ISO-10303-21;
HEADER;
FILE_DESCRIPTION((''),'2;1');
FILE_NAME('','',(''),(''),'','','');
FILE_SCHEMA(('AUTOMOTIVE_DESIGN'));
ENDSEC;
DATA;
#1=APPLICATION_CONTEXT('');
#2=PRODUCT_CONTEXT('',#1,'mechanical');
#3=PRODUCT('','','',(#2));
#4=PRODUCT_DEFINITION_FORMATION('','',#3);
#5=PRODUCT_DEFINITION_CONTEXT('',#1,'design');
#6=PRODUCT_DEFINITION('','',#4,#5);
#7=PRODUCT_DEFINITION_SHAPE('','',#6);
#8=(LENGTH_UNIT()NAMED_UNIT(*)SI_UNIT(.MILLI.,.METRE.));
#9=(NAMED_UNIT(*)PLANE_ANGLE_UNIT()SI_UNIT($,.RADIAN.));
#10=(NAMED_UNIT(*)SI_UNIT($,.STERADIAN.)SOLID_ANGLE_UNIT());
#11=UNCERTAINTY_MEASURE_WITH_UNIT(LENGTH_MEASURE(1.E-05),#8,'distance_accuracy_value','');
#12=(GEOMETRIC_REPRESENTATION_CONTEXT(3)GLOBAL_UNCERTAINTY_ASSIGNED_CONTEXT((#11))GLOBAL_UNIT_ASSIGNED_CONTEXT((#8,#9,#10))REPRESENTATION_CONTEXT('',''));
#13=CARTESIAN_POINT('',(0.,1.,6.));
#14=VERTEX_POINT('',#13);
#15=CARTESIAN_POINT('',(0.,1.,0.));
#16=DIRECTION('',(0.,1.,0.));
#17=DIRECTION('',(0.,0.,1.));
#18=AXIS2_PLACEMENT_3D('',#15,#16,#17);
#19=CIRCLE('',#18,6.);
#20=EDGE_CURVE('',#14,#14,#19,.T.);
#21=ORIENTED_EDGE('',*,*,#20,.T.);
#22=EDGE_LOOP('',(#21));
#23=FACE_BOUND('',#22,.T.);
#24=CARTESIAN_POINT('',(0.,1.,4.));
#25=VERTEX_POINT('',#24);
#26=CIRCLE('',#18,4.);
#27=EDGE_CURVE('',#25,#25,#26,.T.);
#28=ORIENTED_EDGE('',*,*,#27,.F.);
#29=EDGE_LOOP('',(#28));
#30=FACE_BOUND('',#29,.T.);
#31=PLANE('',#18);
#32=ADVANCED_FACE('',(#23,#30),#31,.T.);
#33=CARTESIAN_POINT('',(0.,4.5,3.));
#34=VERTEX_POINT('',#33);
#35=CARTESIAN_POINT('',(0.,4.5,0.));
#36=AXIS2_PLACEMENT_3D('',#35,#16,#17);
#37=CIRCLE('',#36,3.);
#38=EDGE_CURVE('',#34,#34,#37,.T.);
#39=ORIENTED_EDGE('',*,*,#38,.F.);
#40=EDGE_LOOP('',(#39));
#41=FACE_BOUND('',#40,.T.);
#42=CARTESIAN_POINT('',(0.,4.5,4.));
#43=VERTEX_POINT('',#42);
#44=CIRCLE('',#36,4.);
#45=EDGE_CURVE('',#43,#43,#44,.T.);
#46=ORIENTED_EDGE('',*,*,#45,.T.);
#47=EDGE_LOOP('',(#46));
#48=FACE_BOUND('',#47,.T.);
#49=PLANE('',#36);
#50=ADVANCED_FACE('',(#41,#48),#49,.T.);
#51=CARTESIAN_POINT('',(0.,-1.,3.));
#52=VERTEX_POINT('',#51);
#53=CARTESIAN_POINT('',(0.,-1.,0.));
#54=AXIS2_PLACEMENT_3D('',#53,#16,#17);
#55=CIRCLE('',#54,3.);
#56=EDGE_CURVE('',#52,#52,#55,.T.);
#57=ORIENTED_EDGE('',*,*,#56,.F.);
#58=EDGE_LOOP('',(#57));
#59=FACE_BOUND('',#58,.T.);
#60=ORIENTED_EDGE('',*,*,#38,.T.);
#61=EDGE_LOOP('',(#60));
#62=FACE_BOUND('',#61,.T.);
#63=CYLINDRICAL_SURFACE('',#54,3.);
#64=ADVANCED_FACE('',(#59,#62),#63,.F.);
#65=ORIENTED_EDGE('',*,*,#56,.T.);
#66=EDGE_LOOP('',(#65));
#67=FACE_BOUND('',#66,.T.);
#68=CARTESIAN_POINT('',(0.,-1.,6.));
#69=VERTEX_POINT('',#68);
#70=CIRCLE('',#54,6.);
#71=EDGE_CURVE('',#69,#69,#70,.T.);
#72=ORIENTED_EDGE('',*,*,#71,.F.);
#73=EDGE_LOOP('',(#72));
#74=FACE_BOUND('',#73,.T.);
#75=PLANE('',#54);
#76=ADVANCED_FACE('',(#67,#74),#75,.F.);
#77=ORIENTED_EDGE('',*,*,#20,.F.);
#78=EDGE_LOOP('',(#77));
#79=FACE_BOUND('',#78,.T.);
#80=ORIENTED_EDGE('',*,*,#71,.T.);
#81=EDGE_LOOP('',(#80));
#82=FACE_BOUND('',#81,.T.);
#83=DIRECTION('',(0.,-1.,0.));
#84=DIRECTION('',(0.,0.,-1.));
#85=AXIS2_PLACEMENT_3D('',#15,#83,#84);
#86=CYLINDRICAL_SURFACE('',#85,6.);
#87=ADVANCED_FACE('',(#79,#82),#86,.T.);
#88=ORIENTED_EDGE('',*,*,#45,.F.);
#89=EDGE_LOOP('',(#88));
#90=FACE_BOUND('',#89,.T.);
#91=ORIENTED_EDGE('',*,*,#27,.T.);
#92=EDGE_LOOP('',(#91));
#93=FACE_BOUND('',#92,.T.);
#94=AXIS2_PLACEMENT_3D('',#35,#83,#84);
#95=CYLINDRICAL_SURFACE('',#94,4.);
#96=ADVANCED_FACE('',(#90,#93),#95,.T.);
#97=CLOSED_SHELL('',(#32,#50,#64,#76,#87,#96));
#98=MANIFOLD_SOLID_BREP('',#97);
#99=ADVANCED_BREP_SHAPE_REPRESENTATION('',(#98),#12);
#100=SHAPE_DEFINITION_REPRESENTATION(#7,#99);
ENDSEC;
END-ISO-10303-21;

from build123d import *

# Parameters (mm, degrees)
SKETCH1_R           = 6
BOSS_EXTRUDE1_DEPTH = 1
SKETCH2_R           = 4
BOSS_EXTRUDE2_DEPTH = 3.5
SKETCH3_R           = 3
CUT_EXTRUDE1_DEPTH  = 11.111874208


with BuildPart() as part:
    # Sketch1 → Boss-Extrude1 (new, symmetric)
    with BuildSketch(Plane(origin=(0, 0, 0), x_dir=(1, 0, 0), z_dir=(0, 1, 0))):
        with Locations(Location((0, 0, 0), (0, 0, 270))):
            Circle(SKETCH1_R)
    extrude(amount=BOSS_EXTRUDE1_DEPTH, both=True)

    # Sketch2 → Boss-Extrude2 (add)
    with BuildSketch(Plane(origin=(0, 1, 0), x_dir=(1, 0, 0), z_dir=(0, 1, 0))):
        with Locations(Location((0, 0, 0), (0, 0, 270))):
            Circle(SKETCH2_R)
    extrude(amount=BOSS_EXTRUDE2_DEPTH)

    # Sketch3 → Cut-Extrude1 (cut, through all)
    with BuildSketch(Plane(origin=(0, 4.5, 0), x_dir=(1, 0, 0), z_dir=(0, 1, 0))):
        with Locations(Location((0, 0, 0), (0, 0, 270))):
            Circle(SKETCH3_R)
    extrude(amount=-CUT_EXTRUDE1_DEPTH, mode=Mode.SUBTRACT)


solid = part.part
